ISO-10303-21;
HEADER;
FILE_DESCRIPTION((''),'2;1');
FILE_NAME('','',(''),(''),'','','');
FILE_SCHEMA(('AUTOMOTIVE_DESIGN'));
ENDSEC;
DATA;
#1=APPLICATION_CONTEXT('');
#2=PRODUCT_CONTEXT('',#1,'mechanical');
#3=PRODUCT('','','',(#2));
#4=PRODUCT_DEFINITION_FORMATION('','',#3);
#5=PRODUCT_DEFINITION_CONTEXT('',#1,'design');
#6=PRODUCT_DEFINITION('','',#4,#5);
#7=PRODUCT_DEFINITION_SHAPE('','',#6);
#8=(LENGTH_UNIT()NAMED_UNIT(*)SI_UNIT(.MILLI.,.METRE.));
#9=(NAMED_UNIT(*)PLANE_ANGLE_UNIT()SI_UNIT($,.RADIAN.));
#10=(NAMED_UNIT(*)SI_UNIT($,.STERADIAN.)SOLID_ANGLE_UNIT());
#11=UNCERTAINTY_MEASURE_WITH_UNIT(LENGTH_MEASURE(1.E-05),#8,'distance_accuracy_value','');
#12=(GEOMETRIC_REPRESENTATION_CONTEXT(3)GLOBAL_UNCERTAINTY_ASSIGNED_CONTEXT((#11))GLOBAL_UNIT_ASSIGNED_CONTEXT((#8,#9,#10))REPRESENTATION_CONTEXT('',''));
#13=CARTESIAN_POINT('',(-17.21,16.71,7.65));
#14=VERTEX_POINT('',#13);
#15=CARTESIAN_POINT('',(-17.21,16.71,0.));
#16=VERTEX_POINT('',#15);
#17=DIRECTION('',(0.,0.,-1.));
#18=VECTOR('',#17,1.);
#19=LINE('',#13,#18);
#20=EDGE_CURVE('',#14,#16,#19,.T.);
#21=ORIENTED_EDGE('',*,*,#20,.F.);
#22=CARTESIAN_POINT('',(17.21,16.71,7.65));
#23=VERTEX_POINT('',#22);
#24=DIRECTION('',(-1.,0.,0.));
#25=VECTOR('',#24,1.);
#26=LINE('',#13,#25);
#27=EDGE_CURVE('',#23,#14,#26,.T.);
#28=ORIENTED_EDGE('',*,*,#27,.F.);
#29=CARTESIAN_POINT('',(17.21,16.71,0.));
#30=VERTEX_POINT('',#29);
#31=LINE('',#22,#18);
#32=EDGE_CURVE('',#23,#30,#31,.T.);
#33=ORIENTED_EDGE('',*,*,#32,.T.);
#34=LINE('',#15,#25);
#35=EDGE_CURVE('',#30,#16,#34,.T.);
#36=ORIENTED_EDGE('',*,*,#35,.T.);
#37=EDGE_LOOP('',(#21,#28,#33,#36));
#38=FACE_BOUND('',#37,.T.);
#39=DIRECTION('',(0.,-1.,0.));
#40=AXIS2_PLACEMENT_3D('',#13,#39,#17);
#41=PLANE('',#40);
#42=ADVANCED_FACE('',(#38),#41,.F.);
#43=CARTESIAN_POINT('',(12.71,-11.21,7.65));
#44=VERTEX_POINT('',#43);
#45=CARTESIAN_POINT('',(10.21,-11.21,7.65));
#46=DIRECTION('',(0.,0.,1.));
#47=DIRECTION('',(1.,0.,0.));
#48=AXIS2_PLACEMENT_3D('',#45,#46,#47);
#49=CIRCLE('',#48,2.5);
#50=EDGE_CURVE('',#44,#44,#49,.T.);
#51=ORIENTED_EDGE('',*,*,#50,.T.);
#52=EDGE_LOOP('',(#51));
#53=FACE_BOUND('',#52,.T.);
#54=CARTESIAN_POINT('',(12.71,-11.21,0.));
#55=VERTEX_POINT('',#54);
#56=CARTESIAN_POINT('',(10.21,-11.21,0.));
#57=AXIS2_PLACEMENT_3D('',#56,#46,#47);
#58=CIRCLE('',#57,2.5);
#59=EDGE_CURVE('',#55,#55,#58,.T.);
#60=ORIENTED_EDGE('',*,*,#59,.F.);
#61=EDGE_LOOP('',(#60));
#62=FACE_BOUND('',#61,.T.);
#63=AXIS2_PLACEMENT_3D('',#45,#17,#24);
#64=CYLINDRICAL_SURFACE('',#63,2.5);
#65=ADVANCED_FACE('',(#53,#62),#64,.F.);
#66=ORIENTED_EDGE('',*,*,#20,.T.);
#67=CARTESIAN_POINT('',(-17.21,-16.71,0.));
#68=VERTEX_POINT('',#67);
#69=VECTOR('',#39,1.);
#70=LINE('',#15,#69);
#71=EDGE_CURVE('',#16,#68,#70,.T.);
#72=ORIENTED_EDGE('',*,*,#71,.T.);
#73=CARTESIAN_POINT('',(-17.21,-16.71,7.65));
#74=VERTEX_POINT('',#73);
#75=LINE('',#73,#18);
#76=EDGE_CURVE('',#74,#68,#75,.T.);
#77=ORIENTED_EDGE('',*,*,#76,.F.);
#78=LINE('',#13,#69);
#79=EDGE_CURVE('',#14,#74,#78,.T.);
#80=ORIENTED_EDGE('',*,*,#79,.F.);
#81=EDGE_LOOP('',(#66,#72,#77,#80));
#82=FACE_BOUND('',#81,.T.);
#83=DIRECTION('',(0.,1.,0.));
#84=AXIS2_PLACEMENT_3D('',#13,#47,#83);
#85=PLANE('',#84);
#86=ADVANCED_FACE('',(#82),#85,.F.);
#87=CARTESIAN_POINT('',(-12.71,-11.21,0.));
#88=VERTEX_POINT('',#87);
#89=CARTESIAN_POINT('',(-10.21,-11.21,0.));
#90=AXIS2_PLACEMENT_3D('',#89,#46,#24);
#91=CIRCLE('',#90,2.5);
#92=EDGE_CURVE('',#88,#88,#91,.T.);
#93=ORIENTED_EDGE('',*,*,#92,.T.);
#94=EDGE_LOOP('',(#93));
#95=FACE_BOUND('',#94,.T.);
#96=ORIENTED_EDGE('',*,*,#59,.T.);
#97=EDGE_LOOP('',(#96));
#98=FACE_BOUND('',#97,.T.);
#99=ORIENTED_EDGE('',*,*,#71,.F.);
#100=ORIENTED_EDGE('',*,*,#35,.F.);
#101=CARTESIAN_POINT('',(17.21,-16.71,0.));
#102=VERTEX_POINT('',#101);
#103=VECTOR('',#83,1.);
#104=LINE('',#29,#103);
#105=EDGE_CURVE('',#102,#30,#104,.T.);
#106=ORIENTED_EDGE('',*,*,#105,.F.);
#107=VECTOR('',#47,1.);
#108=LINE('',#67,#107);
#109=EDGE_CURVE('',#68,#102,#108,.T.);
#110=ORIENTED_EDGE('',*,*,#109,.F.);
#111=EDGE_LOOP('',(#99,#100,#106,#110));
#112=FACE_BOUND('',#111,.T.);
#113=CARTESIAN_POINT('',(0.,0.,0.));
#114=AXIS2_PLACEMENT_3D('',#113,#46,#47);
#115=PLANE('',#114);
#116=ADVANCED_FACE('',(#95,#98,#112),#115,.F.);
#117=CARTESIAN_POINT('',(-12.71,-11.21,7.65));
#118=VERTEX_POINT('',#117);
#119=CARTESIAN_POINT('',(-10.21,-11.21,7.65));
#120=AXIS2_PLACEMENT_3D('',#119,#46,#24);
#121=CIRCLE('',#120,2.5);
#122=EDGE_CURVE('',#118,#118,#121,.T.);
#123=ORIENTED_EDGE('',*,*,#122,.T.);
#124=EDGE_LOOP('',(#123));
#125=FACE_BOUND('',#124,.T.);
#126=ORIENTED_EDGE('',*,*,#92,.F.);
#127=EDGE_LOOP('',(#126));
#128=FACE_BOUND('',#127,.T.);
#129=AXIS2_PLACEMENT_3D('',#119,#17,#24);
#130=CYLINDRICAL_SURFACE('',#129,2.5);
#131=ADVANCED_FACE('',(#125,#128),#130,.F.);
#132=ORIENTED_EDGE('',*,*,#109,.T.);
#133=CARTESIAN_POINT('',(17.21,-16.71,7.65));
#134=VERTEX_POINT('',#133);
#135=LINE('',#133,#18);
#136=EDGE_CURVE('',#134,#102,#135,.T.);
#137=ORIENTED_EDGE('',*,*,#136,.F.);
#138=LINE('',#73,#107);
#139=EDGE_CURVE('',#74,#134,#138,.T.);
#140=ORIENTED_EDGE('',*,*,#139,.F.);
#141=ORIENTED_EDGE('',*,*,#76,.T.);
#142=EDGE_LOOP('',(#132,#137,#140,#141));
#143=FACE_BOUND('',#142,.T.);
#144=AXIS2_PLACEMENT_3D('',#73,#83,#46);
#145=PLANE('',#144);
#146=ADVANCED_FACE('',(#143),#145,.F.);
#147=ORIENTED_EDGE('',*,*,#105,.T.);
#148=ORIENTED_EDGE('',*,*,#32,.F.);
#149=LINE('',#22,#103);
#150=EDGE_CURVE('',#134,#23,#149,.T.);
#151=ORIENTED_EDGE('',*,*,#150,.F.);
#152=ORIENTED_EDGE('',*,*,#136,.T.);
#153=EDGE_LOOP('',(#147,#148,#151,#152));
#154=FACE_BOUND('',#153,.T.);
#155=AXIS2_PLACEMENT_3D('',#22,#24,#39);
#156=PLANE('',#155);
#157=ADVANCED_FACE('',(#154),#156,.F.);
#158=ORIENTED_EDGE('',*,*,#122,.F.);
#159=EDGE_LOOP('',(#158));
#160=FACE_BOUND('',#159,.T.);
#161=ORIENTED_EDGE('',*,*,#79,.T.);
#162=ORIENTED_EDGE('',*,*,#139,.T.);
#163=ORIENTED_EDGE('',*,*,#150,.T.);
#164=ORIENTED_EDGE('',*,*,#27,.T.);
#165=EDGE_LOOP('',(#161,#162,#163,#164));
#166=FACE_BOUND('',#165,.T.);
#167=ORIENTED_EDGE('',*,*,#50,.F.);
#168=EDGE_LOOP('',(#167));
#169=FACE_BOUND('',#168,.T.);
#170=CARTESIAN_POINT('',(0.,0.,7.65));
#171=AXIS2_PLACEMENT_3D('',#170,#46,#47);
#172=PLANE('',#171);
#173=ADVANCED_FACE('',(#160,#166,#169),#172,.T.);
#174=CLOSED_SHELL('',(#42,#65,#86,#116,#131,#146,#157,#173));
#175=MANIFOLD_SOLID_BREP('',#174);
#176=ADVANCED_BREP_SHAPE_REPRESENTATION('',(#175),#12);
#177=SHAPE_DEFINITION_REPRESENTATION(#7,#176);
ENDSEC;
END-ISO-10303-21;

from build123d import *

# Parameters (mm, degrees)
SKETCH1_W           = 34.42
SKETCH1_H           = 33.42
SKETCH1_R           = 2.5
BOSS_EXTRUDE1_DEPTH = 7.65


with BuildPart() as part:
    # Sketch1 → Boss-Extrude1 (new body)
    with BuildSketch(Plane.XY):
        Rectangle(SKETCH1_W, SKETCH1_H)
        with Locations((10.21, -11.21)):
            Circle(SKETCH1_R, mode=Mode.SUBTRACT)
        with Locations((-10.21, -11.21)):
            Circle(SKETCH1_R, mode=Mode.SUBTRACT)
    extrude(amount=BOSS_EXTRUDE1_DEPTH)


solid = part.part
